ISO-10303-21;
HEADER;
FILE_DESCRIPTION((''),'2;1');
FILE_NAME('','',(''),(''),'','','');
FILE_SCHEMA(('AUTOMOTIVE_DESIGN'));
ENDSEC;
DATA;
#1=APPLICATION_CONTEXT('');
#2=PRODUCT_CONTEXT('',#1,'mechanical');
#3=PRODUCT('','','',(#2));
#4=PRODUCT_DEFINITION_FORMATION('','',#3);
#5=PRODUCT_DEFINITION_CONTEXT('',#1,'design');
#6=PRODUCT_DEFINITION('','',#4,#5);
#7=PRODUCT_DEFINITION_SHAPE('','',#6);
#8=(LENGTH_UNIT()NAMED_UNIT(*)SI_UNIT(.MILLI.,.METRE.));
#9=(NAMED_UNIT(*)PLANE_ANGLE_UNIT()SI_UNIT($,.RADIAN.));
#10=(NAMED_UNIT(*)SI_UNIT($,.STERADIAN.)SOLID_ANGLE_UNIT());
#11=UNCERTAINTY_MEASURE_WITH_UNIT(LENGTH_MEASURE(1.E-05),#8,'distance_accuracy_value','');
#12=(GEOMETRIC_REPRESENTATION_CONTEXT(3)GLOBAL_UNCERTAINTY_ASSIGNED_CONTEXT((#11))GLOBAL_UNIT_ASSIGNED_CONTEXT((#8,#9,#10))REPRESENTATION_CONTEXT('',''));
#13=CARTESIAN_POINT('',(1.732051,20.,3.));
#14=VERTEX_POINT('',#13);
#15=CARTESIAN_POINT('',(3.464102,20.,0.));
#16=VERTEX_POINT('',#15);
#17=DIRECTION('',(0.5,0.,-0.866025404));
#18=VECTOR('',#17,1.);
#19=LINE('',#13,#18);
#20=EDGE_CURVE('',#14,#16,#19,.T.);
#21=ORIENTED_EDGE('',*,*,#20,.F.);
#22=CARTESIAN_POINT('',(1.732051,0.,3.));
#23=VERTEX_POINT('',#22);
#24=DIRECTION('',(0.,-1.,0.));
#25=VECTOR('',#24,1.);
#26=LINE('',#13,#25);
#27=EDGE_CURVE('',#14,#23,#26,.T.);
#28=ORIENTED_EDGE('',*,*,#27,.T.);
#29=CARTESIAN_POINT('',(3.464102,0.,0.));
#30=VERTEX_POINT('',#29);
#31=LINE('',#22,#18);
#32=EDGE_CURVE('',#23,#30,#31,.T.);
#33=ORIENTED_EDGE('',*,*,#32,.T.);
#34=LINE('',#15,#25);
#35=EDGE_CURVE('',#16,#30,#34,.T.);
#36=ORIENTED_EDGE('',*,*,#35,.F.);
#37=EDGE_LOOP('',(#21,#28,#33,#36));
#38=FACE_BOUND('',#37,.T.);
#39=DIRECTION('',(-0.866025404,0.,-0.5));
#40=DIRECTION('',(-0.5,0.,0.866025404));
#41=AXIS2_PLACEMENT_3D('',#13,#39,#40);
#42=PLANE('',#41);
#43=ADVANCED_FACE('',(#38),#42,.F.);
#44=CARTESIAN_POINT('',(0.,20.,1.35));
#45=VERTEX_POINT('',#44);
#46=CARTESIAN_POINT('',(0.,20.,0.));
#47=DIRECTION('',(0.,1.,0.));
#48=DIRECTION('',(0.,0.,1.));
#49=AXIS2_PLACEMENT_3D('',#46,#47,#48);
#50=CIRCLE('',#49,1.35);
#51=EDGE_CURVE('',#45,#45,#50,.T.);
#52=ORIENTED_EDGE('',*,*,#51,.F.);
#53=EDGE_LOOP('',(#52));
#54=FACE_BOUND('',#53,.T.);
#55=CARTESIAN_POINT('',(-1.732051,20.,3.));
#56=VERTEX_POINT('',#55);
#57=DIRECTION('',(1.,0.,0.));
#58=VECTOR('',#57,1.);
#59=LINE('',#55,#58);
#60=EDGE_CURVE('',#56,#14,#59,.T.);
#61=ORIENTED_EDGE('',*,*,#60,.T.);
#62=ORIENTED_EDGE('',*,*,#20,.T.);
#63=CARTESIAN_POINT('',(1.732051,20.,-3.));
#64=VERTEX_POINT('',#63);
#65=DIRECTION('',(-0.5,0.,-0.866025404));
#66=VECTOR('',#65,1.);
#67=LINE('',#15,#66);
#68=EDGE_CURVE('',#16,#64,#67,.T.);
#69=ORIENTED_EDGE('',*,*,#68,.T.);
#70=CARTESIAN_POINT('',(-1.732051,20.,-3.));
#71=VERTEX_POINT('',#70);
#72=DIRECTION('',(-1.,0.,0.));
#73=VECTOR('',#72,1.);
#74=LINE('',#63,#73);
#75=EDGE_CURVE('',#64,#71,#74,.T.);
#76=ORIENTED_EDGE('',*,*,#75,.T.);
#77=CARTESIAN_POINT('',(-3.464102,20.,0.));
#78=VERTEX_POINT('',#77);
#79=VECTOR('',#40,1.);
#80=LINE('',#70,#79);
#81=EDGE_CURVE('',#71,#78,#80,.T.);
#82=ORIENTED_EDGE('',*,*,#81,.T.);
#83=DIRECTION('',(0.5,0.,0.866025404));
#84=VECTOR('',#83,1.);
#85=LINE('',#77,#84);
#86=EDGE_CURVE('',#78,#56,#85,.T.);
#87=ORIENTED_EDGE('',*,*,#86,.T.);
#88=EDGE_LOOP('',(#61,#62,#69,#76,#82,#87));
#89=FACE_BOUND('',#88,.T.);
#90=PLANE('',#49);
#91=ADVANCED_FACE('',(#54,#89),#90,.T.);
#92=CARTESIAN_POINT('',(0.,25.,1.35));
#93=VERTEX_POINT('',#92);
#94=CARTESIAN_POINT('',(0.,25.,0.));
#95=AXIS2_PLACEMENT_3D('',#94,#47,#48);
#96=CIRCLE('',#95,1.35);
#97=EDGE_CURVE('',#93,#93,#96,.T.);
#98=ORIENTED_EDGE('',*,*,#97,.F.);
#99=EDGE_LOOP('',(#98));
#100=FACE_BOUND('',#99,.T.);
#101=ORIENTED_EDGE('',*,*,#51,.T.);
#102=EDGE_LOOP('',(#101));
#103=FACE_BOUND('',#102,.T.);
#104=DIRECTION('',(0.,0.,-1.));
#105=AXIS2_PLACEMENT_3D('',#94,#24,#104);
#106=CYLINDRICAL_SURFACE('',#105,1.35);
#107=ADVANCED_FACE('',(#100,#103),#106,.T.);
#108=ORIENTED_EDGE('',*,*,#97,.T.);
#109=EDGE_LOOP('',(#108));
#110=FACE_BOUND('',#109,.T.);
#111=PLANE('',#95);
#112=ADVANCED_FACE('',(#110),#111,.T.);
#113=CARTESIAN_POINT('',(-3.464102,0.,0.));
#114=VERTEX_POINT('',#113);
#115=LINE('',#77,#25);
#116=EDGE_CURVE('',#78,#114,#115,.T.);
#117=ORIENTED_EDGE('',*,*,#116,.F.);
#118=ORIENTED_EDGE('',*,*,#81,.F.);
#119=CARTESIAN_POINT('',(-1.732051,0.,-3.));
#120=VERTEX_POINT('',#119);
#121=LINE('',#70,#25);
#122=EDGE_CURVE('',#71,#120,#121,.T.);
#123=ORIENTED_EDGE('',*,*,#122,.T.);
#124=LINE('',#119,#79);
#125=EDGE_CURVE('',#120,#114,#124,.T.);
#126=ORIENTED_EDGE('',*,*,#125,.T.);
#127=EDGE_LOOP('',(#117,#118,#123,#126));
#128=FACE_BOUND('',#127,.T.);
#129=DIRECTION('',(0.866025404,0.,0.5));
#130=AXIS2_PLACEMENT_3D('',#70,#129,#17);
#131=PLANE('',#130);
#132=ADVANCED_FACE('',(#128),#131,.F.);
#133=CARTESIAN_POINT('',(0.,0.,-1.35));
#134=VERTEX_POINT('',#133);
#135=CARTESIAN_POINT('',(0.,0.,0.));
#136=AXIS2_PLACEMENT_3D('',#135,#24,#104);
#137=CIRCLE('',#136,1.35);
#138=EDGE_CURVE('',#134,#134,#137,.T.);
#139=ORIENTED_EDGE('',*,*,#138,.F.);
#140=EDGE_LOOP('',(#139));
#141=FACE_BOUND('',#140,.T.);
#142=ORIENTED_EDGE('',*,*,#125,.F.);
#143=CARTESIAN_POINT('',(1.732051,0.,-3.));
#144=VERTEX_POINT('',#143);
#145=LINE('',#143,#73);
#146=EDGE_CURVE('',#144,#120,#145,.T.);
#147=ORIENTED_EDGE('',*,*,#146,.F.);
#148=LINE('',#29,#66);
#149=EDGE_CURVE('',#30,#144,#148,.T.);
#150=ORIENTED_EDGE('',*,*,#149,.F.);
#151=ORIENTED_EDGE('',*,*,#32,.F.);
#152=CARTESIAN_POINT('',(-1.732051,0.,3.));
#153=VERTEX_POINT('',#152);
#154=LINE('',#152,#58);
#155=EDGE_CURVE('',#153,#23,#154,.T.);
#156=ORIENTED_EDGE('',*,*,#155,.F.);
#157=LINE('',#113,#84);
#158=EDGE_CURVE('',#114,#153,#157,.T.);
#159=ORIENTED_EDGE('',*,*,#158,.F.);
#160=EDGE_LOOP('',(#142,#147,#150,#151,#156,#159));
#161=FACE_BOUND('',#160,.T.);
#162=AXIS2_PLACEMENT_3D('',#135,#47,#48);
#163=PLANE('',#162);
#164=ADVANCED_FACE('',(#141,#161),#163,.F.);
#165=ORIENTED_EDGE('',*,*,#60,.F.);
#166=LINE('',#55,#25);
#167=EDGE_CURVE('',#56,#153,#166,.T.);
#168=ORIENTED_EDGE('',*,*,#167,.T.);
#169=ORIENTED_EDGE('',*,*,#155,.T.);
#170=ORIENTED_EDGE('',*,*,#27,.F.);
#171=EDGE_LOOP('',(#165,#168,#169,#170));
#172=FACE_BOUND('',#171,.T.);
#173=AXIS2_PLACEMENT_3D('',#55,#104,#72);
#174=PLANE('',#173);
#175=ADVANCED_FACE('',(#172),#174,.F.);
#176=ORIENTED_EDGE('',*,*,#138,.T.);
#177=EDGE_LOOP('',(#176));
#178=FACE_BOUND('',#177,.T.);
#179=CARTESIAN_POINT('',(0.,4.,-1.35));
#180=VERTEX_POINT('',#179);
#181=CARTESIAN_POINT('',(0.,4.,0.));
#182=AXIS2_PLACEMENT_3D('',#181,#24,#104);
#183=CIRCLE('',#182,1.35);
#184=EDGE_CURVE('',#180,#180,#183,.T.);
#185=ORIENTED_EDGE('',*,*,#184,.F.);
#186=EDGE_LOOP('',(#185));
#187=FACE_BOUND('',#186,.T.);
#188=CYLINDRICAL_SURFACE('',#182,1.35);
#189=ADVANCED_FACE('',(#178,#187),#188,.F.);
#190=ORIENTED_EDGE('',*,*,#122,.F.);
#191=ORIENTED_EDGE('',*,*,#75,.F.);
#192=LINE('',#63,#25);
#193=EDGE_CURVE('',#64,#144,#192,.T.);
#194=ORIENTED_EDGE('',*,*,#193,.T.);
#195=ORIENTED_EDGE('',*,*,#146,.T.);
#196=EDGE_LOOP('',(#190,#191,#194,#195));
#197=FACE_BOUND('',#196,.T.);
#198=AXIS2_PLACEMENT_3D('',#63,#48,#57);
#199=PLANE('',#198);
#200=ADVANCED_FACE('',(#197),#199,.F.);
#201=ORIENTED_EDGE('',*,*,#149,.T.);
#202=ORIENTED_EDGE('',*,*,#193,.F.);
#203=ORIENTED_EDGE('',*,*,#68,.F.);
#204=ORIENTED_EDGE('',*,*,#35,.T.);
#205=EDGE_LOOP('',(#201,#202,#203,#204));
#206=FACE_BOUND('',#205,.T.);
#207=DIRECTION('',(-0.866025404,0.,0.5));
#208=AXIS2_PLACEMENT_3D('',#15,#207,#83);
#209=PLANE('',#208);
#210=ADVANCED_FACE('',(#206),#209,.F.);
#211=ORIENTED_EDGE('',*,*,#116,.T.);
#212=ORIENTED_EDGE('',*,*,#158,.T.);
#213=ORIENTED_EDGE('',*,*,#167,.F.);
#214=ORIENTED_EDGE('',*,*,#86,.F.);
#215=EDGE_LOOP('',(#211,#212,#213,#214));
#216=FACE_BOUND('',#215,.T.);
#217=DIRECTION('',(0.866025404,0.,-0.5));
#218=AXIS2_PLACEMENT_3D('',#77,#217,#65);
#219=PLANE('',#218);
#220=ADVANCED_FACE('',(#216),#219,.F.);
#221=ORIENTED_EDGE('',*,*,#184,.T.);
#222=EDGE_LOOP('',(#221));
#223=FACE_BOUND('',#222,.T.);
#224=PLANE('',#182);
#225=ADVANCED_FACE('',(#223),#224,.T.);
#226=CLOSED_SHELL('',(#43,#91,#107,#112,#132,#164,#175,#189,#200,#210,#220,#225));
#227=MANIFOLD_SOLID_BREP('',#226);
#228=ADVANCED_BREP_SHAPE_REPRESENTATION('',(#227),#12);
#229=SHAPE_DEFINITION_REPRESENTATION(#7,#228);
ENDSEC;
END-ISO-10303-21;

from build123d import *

# Parameters (mm, degrees)
EXTRUDE_1_DEPTH     = 20
SKETCH_2_R          = 1.35
EXTRUDE_2_DEPTH     = 5
SKETCH_3_R          = 1.35
CUT_EXTRUDE_1_DEPTH = 4


with BuildPart() as part:
    # 스케치1 → 보스-돌출1 (new body)
    with BuildSketch(Plane(origin=(0, 0, 0), x_dir=(1, 0, 0), z_dir=(0, 1, 0))):
        Polygon((3.464101615, 0), (1.732050808, 3), (-1.732050808, 3), (-3.464101615, 0), (-1.732050808, -3), (1.732050808, -3), align=None)
    extrude(amount=EXTRUDE_1_DEPTH)

    # 스케치2 → 보스-돌출2 (add)
    with BuildSketch(Plane(origin=(0, 20, 0), x_dir=(1, 0, 0), z_dir=(0, 1, 0))):
        with Locations(Location((0, 0, 0), (0, 0, 270))):
            Circle(SKETCH_2_R)
    extrude(amount=EXTRUDE_2_DEPTH)

    # 스케치3 → 컷-돌출1 (cut)
    with BuildSketch(Plane.XZ):
        with Locations(Location((0, 0, 0), (0, 0, 90))):
            Circle(SKETCH_3_R)
    extrude(amount=-CUT_EXTRUDE_1_DEPTH, mode=Mode.SUBTRACT)


solid = part.part
